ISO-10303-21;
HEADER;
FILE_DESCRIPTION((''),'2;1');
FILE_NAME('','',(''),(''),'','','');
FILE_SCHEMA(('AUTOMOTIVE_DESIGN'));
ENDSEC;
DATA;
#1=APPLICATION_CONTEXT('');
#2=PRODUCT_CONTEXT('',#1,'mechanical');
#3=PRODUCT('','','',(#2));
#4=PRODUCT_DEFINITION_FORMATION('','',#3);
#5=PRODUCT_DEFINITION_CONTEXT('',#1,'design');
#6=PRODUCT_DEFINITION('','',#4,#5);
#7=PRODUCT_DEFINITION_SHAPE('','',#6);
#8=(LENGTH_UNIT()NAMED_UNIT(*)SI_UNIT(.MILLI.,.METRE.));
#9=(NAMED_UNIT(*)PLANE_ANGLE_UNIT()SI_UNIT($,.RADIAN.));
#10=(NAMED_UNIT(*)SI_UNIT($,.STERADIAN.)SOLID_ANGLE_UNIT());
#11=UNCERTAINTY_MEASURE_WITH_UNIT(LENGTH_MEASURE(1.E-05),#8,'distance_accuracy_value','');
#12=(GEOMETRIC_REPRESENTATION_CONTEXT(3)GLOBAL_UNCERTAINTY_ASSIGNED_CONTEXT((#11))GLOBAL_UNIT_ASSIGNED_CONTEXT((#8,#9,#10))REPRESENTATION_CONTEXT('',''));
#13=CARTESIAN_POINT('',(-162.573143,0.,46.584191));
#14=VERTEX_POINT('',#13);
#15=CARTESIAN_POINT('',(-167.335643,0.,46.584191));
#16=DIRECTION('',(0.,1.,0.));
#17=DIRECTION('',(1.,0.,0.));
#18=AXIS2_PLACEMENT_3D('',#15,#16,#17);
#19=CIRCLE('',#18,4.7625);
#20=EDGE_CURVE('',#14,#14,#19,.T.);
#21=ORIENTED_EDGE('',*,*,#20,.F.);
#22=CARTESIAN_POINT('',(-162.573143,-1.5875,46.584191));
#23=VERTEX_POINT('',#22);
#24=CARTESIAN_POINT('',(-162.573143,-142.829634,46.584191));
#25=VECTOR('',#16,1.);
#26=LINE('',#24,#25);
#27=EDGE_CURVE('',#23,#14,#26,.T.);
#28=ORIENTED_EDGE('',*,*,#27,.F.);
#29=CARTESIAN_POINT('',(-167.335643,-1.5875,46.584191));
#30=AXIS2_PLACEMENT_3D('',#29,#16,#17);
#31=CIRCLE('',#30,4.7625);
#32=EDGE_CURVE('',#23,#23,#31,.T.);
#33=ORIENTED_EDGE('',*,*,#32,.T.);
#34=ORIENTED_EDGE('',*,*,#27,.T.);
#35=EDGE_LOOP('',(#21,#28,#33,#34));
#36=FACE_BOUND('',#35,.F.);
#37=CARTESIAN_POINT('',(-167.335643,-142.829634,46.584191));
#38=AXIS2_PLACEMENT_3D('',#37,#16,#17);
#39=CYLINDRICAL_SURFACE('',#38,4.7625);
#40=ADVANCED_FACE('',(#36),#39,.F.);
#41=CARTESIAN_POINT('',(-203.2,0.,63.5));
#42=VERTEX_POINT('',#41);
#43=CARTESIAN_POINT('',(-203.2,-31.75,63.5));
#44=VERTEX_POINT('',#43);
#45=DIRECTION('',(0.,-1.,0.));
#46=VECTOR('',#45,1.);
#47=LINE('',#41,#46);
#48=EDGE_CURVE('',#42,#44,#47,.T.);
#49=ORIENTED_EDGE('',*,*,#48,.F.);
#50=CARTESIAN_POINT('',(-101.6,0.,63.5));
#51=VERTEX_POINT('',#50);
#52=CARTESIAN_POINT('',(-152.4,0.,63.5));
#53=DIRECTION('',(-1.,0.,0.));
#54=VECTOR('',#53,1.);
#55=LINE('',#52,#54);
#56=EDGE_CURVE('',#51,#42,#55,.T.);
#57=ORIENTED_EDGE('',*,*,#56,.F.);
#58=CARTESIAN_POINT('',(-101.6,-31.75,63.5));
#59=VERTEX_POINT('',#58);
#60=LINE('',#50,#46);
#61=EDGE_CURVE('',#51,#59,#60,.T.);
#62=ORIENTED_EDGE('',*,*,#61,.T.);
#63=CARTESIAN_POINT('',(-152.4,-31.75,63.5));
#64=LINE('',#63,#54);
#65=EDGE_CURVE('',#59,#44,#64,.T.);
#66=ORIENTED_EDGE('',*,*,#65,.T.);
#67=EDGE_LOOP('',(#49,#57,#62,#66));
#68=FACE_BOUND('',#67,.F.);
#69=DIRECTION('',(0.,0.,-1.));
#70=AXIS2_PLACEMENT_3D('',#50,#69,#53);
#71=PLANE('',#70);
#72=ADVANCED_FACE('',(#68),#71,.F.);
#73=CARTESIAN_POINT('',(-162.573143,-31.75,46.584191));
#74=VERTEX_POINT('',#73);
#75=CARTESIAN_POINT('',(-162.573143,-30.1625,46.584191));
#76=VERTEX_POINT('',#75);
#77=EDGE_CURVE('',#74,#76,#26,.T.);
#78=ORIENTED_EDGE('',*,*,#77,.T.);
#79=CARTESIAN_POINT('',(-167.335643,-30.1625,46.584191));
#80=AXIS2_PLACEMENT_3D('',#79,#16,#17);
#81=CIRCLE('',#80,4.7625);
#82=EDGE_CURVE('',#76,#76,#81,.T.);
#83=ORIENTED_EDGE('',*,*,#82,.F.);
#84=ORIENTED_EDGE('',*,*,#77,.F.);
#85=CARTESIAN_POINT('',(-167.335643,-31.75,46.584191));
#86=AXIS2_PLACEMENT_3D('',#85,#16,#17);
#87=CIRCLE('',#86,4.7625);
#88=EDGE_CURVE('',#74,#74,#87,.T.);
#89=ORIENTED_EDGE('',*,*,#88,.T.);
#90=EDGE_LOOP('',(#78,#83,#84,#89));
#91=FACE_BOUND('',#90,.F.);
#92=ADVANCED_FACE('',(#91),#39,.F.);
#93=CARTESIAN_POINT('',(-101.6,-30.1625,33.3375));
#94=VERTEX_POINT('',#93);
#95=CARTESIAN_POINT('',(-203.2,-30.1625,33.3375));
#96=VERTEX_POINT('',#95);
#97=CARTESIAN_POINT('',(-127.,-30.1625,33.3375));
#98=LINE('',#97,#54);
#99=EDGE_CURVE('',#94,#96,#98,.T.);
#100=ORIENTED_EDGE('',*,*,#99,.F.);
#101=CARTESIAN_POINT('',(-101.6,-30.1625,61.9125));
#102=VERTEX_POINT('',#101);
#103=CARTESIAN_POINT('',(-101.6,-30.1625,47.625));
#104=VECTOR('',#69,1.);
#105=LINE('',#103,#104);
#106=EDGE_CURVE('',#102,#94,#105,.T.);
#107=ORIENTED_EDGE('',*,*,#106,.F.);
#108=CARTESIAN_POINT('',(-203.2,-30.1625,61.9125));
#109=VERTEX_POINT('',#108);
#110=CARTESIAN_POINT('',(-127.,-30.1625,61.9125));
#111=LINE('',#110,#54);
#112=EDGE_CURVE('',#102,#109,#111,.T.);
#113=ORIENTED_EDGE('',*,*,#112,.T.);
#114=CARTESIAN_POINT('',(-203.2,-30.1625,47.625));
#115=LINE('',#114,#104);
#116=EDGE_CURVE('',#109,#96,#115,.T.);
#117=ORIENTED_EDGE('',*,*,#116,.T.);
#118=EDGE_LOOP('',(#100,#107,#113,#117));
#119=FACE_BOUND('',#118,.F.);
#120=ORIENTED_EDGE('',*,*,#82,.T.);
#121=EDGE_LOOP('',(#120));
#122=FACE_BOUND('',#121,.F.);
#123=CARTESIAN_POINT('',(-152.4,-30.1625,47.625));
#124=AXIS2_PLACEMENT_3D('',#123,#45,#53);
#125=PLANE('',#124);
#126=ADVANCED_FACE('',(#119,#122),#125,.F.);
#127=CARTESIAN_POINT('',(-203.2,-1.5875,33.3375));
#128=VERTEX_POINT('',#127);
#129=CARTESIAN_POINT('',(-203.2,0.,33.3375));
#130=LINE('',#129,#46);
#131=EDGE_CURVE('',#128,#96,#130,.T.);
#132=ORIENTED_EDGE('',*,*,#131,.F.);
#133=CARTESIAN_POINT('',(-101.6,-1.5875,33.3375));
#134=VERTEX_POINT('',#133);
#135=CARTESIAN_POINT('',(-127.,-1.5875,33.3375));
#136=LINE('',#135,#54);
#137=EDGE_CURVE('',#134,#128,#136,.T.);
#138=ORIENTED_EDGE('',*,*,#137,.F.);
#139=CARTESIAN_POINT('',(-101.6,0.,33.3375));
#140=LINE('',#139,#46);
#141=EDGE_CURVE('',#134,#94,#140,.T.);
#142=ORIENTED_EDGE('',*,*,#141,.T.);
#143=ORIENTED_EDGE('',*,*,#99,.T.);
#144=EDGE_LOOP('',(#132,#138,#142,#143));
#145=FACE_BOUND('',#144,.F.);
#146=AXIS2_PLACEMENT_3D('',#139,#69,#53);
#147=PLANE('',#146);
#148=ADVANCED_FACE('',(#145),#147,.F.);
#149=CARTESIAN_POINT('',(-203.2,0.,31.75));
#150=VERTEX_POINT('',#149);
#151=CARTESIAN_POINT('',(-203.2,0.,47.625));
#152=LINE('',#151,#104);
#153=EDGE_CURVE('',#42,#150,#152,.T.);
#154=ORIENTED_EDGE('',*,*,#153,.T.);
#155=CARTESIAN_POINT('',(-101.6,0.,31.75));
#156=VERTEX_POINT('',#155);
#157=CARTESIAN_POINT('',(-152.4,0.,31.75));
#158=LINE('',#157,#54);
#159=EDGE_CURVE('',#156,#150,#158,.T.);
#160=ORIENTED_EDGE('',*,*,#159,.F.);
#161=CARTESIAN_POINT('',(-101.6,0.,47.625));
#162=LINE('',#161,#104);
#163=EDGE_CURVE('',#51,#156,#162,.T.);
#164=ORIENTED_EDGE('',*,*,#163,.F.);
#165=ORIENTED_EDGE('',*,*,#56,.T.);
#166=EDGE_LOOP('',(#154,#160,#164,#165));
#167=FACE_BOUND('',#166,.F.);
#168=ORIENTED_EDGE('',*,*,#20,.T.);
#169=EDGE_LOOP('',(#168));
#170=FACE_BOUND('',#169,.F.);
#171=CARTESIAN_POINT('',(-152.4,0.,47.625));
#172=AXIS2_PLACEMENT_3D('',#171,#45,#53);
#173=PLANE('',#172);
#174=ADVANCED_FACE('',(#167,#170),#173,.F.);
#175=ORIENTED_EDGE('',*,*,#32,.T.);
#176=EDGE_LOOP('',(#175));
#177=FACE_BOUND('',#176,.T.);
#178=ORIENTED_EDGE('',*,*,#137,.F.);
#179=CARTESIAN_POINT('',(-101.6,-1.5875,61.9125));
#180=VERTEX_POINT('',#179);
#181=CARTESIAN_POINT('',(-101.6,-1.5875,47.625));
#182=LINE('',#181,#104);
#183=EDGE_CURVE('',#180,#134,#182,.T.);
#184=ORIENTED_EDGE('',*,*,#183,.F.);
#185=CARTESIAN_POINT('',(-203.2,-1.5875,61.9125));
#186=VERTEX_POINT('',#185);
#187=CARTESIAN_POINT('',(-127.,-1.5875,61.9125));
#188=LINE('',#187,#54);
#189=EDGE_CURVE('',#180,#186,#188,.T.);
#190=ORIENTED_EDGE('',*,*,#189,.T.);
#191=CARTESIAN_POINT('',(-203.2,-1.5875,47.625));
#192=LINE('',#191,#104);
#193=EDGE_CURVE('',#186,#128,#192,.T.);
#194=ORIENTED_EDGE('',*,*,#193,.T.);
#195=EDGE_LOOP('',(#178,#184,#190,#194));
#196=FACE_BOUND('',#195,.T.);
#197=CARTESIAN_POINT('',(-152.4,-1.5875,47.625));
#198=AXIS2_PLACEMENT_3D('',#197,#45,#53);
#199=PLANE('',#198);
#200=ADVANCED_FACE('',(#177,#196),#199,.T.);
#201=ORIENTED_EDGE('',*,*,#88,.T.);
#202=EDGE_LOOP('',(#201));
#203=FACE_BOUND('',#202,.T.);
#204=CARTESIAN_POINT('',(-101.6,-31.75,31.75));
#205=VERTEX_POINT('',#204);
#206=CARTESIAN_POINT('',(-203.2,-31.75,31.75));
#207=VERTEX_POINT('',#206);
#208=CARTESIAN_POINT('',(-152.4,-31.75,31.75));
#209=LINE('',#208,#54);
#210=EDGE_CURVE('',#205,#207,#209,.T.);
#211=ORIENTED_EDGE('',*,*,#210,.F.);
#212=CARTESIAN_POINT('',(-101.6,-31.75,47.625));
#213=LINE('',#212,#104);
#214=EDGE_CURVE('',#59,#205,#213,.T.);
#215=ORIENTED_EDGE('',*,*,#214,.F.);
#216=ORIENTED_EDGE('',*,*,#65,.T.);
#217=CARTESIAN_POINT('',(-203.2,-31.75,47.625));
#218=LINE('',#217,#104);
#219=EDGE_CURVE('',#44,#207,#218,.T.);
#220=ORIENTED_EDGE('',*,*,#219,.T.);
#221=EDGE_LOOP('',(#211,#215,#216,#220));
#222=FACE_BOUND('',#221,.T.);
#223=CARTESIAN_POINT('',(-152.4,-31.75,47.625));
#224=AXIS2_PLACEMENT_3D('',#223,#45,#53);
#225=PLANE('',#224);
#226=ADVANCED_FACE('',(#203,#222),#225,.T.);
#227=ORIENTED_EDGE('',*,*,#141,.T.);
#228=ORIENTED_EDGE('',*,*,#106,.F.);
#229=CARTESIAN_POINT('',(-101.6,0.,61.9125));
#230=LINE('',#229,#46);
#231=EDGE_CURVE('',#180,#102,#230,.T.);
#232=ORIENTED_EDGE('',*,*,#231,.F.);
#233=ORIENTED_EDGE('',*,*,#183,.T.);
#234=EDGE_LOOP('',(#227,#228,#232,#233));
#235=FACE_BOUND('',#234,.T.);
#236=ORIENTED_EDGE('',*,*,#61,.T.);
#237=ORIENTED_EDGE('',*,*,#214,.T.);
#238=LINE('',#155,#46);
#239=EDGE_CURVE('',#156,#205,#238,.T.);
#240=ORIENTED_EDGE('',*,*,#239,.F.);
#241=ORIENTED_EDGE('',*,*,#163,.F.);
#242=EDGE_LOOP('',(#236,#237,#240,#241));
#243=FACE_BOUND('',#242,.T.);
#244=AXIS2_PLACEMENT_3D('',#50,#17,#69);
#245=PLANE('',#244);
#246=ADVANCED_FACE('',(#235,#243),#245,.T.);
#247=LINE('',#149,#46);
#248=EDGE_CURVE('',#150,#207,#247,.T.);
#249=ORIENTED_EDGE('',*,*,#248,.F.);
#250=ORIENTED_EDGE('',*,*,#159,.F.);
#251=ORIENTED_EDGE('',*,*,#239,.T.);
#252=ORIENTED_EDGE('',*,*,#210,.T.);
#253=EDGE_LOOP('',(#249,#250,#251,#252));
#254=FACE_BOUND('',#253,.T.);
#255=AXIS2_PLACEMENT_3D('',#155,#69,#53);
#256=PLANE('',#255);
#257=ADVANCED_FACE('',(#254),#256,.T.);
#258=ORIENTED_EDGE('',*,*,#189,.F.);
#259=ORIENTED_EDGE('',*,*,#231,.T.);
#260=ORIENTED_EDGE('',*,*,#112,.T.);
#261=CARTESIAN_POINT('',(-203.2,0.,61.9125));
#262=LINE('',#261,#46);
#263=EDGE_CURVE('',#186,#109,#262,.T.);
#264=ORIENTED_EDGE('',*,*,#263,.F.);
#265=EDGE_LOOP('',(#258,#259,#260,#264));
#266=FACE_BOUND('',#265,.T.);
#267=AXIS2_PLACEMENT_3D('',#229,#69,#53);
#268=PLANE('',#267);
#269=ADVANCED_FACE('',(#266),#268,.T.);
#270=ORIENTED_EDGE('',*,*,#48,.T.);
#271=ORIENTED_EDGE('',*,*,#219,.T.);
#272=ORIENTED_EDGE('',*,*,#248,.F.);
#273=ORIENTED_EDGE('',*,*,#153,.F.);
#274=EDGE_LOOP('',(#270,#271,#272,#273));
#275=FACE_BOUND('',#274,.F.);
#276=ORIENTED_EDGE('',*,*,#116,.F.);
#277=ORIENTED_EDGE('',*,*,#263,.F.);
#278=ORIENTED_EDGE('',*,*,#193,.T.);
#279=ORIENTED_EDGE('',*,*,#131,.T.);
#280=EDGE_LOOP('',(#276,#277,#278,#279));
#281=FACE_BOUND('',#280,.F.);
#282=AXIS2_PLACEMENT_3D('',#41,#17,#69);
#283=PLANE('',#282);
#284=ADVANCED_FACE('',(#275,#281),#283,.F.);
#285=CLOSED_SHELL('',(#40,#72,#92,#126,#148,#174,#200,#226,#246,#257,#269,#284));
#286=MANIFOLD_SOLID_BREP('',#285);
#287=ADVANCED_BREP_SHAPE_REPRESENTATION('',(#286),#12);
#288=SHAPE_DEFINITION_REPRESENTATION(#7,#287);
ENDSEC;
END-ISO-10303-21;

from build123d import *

# Parameters (mm, degrees)
F0_W     = 101.6
F0_H     = 31.75
F1_DEPTH = 31.75
F2_T     = -1.5875
F4_D     = 9.525
F5_ANGLE = 90
F6_ANGLE = 180


with BuildPart() as f1:
    # F0 (on Top) → F1 (new body)
    with BuildSketch(Plane.XY):
        with Locations((-50.8, 15.875)):
            Rectangle(F0_W, F0_H)
    extrude(amount=F1_DEPTH)

    # F2
    f2_openings = [f1.faces().sort_by_distance(p)[0] for p in [
        (-101.6, 15.875, 15.875),
        (0, 15.875, 15.875),
    ]]
    offset(amount=F2_T, openings=f2_openings)

    # F4 (through all)
    with Locations(Plane.XY.offset(31.75)):
        with Locations((-35.8643569052, 16.9158093631)):
            Hole(F4_D / 2)


with BuildPart() as f1_1:
    # F5: moved
    add(f1.part.rotate(Axis((-50.8, 31.75, 31.75), (-1, 0, 0)), F5_ANGLE))


with BuildPart() as f1_2:
    # F6: moved
    add(f1_1.part.rotate(Axis((-101.6, 0, 47.625), (0, 0, -1)), F6_ANGLE))


solid = f1_2.part
